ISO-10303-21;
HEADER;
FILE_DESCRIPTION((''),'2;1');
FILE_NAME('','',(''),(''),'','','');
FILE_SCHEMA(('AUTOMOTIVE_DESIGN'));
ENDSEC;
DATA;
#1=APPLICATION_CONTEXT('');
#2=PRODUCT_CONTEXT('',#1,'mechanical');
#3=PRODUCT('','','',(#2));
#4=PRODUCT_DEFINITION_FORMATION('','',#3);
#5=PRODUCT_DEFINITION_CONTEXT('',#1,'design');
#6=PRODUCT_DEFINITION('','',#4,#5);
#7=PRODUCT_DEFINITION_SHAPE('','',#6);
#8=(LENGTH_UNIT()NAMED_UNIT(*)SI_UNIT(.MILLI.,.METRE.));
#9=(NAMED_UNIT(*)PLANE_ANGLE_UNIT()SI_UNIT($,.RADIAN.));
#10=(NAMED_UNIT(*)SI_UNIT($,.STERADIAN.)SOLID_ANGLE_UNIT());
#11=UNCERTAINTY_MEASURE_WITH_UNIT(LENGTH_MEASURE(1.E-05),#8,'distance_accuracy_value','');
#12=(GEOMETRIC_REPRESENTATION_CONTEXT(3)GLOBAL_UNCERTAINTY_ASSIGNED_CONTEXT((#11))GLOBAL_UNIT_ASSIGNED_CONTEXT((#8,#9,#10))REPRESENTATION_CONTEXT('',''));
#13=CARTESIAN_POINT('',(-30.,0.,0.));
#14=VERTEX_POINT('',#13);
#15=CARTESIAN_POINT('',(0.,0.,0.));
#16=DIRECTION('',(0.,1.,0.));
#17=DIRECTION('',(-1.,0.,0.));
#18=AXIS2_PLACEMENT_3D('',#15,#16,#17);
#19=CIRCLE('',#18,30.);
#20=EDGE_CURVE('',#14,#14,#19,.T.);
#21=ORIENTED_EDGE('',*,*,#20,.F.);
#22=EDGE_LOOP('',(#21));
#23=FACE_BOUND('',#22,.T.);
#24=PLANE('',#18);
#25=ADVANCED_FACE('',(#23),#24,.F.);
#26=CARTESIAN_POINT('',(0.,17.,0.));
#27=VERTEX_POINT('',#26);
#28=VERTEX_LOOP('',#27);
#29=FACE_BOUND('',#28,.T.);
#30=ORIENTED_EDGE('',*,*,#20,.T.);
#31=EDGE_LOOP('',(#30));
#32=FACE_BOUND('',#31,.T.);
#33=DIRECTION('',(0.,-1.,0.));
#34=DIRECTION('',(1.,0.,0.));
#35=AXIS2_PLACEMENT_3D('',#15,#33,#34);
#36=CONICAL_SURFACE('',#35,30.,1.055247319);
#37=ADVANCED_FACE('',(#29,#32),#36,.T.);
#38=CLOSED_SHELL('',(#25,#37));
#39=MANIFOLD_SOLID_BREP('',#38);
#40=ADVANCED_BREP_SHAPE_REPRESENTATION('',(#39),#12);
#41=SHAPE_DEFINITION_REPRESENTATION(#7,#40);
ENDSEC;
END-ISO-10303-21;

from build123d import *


with BuildPart() as part:
    # Sketch1 → Revolve1 (revolve)
    with BuildSketch(Plane.XY):
        Polygon((0, 0), (30, 0), (0, 17), align=None)
    revolve(axis=Axis((0, 17, 0), (0, -1, 0)))


solid = part.part
